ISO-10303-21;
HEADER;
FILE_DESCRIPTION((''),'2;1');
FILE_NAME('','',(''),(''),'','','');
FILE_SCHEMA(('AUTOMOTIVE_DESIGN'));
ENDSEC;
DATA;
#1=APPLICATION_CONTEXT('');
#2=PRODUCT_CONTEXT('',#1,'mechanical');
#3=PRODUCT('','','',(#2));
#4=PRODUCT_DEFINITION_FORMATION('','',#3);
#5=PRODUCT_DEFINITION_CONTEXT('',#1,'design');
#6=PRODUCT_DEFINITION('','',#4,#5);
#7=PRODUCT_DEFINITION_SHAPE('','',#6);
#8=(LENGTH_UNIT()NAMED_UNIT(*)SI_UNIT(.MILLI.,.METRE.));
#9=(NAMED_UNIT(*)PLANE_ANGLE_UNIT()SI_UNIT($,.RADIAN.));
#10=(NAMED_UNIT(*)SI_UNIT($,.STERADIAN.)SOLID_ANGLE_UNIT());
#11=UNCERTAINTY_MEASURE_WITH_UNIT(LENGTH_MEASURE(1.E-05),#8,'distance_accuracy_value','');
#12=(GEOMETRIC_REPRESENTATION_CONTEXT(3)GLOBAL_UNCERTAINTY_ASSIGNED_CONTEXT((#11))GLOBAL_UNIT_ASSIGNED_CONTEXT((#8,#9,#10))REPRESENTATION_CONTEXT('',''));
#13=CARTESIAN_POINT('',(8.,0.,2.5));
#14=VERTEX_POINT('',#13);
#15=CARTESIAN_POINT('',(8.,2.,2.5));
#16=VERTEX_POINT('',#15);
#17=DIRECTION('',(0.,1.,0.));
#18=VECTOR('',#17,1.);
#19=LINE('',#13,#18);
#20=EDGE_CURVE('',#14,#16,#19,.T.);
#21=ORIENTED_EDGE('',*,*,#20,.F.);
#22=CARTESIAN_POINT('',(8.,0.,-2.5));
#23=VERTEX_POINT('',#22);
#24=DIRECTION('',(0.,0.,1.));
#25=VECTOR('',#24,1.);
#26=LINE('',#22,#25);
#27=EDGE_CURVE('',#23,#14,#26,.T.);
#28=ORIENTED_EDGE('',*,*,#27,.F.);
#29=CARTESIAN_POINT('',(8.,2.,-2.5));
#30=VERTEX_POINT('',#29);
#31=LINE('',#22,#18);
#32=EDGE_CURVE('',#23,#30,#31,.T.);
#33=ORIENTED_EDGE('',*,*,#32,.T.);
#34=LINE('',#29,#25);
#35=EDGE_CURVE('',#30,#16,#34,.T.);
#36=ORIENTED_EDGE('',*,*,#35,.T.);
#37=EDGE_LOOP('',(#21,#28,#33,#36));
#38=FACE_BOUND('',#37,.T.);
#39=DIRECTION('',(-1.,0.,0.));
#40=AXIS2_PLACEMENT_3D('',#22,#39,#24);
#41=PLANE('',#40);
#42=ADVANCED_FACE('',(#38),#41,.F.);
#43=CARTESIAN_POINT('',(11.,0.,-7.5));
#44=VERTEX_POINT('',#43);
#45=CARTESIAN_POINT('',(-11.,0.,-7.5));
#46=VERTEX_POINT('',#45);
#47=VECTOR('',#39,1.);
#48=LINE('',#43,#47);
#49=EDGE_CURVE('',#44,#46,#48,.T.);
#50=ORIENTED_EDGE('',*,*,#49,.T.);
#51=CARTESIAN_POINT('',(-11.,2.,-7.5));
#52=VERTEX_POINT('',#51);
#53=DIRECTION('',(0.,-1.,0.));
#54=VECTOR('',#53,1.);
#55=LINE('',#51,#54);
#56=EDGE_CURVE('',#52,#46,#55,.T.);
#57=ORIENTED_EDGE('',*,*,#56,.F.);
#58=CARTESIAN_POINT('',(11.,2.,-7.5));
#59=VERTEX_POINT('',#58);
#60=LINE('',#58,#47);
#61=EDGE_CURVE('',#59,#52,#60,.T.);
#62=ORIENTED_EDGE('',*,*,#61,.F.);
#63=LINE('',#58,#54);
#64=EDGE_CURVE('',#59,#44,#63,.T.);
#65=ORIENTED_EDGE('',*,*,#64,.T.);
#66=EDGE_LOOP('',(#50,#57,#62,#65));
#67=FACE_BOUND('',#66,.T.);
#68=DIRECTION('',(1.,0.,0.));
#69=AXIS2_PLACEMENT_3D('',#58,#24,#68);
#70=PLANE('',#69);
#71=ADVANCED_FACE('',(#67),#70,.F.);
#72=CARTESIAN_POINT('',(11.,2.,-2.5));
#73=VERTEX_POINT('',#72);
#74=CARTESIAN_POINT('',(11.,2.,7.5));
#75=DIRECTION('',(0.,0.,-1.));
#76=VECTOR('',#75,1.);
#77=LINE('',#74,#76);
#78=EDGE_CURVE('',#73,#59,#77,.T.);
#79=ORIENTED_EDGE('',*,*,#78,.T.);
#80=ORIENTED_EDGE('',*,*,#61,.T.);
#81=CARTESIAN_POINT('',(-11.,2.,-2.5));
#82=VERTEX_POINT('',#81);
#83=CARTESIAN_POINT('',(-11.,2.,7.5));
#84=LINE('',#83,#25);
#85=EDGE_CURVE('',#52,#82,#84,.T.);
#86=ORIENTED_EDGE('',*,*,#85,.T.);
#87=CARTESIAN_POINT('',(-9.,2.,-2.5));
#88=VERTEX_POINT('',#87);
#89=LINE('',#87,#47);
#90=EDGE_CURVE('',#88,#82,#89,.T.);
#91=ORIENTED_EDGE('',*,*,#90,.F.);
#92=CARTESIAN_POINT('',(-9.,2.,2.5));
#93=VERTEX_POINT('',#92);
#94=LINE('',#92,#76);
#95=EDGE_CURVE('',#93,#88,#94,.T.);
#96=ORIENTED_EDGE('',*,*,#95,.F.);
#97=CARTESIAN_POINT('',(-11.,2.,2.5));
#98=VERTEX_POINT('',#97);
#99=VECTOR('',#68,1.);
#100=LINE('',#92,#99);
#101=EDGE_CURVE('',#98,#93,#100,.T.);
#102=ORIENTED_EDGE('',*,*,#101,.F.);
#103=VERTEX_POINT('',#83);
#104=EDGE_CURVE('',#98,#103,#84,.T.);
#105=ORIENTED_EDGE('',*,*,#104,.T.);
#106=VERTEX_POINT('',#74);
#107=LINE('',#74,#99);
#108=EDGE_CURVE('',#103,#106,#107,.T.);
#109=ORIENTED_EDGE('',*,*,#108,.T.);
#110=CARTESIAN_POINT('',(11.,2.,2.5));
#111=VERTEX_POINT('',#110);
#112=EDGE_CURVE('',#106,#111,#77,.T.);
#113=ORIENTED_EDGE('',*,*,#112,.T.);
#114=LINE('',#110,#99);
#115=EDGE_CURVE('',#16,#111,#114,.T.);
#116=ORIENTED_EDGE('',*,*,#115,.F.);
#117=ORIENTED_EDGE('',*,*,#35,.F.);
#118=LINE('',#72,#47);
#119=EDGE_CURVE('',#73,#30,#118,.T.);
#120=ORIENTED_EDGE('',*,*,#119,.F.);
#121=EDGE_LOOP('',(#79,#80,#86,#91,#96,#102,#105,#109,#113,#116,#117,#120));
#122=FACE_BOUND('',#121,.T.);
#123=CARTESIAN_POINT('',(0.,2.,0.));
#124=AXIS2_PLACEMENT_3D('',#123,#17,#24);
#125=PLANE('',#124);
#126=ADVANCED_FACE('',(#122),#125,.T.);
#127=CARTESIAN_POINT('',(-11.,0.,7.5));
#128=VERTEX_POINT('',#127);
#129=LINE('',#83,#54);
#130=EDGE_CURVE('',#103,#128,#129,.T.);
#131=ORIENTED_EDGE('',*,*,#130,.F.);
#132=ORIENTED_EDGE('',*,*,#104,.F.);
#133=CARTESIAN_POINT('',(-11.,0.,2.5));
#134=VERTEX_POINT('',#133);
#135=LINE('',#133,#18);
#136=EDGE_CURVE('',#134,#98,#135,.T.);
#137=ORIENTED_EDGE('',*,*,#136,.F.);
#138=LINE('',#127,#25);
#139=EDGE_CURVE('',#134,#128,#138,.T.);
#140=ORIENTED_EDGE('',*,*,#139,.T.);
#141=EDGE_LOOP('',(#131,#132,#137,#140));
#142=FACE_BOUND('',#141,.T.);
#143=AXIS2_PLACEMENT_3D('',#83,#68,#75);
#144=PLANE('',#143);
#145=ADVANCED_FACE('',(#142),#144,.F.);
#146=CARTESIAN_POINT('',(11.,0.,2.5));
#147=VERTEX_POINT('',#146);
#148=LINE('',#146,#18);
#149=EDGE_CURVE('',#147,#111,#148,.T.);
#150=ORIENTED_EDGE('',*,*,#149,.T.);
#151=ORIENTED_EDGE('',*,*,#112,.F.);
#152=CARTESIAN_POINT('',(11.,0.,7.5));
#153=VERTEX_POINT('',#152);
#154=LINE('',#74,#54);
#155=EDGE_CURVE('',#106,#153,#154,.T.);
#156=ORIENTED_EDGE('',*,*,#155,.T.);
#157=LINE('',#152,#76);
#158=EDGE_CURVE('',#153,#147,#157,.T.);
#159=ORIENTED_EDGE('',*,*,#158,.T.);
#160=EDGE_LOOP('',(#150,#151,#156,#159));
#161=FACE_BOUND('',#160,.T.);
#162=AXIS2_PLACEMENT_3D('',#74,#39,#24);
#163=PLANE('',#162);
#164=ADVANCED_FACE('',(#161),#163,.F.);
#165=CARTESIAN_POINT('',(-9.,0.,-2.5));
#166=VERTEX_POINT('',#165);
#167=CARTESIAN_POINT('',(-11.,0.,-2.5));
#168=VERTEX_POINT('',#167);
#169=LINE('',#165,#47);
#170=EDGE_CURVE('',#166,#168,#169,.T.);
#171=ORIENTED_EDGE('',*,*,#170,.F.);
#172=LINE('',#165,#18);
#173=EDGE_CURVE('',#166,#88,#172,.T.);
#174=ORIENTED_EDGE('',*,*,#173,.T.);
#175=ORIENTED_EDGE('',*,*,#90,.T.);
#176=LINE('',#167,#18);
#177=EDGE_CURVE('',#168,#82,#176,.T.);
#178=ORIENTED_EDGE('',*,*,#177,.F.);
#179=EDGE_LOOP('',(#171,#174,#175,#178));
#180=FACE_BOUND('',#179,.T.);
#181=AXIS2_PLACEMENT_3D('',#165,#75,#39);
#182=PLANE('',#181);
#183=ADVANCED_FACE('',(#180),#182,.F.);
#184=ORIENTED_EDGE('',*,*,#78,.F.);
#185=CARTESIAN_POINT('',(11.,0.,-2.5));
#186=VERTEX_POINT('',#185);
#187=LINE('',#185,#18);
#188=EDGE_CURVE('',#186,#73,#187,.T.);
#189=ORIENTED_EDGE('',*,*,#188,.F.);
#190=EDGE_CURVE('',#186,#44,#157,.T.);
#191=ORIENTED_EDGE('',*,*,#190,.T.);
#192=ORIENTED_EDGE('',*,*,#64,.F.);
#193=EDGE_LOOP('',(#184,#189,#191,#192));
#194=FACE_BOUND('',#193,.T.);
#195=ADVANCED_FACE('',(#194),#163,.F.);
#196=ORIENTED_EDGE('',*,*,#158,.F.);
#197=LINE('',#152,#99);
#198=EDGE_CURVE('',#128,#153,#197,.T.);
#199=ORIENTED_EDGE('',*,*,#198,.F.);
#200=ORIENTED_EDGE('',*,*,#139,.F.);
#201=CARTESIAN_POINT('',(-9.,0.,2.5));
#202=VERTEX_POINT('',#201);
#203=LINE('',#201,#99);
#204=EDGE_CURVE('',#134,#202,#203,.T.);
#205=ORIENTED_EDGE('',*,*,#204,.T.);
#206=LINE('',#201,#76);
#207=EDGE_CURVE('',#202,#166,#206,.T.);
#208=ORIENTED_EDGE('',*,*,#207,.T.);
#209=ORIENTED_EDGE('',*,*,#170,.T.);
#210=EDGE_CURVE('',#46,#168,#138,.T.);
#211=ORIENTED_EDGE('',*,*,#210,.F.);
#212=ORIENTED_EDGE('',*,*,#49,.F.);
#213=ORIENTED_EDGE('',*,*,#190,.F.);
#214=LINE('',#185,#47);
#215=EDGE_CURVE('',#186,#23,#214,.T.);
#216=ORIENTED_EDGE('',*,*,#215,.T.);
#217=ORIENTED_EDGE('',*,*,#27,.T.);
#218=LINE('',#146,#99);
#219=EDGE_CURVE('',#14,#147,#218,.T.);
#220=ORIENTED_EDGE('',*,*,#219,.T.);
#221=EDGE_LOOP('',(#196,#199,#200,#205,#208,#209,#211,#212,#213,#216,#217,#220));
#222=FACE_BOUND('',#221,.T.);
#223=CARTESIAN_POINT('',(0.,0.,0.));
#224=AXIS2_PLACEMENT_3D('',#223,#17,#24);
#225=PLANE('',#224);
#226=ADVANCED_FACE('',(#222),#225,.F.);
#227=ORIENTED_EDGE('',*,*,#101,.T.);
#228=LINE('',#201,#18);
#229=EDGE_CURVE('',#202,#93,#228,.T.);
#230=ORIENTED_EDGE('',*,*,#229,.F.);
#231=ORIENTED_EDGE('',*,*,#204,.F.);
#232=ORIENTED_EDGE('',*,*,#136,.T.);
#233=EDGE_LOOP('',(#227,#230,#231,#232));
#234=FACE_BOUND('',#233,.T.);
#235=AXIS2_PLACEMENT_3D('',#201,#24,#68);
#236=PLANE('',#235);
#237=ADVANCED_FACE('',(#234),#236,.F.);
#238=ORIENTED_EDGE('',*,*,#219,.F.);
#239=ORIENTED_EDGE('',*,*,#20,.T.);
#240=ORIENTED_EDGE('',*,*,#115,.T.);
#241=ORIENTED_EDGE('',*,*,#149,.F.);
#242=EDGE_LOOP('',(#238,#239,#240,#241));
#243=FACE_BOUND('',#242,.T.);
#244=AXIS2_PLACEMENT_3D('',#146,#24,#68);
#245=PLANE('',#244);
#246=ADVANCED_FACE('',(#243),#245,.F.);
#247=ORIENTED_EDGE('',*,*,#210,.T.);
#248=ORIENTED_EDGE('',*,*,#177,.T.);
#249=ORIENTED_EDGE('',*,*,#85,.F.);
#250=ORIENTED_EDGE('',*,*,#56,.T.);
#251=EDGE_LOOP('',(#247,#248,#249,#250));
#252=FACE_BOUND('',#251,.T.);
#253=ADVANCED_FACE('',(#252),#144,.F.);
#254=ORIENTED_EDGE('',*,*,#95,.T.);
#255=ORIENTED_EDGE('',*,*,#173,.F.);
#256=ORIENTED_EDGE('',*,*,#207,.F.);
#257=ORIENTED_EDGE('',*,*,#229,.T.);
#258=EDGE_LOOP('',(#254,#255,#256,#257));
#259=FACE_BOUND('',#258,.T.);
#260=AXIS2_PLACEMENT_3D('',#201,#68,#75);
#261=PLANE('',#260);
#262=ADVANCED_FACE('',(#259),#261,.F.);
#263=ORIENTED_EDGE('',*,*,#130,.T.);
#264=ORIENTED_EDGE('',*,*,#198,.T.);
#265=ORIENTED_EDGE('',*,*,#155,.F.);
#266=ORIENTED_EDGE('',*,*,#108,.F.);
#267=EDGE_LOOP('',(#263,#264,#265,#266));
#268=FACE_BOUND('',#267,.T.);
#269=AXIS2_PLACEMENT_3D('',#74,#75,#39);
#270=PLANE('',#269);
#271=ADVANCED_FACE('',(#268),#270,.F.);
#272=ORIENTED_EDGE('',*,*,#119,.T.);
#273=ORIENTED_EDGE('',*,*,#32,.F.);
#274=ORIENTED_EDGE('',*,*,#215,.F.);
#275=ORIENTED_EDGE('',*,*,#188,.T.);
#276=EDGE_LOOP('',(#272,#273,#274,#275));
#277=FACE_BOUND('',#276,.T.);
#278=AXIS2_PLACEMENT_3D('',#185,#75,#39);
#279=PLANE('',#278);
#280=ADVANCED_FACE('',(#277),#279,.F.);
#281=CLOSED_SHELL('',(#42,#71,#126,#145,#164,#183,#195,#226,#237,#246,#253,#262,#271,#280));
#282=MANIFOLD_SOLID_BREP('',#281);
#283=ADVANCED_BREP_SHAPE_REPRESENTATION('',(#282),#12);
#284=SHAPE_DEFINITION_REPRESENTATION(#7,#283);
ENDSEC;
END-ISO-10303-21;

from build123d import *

# Parameters (mm, degrees)
SKETCH1_W           = 22
SKETCH1_H           = 15
BOSS_EXTRUDE1_DEPTH = 2
SKETCH2_W           = 2
SKETCH2_H           = 5
SKETCH2_W_2         = 3
CUT_EXTRUDE1_DEPTH  = 2


with BuildPart() as part:
    # Sketch1 → Boss-Extrude1 (new body)
    with BuildSketch(Plane(origin=(0, 0, 0), x_dir=(1, 0, 0), z_dir=(0, 1, 0))):
        Rectangle(SKETCH1_W, SKETCH1_H)
    extrude(amount=BOSS_EXTRUDE1_DEPTH)

    # Sketch2 → Cut-Extrude1 (cut)
    with BuildSketch(Plane(origin=(0, 2, 0), x_dir=(1, 0, 0), z_dir=(0, 1, 0))):
        with Locations((-10, 0)):
            Rectangle(SKETCH2_W, SKETCH2_H)
        with Locations((9.5, 0)):
            Rectangle(SKETCH2_W_2, SKETCH2_H)
    extrude(amount=-CUT_EXTRUDE1_DEPTH, mode=Mode.SUBTRACT)


solid = part.part
